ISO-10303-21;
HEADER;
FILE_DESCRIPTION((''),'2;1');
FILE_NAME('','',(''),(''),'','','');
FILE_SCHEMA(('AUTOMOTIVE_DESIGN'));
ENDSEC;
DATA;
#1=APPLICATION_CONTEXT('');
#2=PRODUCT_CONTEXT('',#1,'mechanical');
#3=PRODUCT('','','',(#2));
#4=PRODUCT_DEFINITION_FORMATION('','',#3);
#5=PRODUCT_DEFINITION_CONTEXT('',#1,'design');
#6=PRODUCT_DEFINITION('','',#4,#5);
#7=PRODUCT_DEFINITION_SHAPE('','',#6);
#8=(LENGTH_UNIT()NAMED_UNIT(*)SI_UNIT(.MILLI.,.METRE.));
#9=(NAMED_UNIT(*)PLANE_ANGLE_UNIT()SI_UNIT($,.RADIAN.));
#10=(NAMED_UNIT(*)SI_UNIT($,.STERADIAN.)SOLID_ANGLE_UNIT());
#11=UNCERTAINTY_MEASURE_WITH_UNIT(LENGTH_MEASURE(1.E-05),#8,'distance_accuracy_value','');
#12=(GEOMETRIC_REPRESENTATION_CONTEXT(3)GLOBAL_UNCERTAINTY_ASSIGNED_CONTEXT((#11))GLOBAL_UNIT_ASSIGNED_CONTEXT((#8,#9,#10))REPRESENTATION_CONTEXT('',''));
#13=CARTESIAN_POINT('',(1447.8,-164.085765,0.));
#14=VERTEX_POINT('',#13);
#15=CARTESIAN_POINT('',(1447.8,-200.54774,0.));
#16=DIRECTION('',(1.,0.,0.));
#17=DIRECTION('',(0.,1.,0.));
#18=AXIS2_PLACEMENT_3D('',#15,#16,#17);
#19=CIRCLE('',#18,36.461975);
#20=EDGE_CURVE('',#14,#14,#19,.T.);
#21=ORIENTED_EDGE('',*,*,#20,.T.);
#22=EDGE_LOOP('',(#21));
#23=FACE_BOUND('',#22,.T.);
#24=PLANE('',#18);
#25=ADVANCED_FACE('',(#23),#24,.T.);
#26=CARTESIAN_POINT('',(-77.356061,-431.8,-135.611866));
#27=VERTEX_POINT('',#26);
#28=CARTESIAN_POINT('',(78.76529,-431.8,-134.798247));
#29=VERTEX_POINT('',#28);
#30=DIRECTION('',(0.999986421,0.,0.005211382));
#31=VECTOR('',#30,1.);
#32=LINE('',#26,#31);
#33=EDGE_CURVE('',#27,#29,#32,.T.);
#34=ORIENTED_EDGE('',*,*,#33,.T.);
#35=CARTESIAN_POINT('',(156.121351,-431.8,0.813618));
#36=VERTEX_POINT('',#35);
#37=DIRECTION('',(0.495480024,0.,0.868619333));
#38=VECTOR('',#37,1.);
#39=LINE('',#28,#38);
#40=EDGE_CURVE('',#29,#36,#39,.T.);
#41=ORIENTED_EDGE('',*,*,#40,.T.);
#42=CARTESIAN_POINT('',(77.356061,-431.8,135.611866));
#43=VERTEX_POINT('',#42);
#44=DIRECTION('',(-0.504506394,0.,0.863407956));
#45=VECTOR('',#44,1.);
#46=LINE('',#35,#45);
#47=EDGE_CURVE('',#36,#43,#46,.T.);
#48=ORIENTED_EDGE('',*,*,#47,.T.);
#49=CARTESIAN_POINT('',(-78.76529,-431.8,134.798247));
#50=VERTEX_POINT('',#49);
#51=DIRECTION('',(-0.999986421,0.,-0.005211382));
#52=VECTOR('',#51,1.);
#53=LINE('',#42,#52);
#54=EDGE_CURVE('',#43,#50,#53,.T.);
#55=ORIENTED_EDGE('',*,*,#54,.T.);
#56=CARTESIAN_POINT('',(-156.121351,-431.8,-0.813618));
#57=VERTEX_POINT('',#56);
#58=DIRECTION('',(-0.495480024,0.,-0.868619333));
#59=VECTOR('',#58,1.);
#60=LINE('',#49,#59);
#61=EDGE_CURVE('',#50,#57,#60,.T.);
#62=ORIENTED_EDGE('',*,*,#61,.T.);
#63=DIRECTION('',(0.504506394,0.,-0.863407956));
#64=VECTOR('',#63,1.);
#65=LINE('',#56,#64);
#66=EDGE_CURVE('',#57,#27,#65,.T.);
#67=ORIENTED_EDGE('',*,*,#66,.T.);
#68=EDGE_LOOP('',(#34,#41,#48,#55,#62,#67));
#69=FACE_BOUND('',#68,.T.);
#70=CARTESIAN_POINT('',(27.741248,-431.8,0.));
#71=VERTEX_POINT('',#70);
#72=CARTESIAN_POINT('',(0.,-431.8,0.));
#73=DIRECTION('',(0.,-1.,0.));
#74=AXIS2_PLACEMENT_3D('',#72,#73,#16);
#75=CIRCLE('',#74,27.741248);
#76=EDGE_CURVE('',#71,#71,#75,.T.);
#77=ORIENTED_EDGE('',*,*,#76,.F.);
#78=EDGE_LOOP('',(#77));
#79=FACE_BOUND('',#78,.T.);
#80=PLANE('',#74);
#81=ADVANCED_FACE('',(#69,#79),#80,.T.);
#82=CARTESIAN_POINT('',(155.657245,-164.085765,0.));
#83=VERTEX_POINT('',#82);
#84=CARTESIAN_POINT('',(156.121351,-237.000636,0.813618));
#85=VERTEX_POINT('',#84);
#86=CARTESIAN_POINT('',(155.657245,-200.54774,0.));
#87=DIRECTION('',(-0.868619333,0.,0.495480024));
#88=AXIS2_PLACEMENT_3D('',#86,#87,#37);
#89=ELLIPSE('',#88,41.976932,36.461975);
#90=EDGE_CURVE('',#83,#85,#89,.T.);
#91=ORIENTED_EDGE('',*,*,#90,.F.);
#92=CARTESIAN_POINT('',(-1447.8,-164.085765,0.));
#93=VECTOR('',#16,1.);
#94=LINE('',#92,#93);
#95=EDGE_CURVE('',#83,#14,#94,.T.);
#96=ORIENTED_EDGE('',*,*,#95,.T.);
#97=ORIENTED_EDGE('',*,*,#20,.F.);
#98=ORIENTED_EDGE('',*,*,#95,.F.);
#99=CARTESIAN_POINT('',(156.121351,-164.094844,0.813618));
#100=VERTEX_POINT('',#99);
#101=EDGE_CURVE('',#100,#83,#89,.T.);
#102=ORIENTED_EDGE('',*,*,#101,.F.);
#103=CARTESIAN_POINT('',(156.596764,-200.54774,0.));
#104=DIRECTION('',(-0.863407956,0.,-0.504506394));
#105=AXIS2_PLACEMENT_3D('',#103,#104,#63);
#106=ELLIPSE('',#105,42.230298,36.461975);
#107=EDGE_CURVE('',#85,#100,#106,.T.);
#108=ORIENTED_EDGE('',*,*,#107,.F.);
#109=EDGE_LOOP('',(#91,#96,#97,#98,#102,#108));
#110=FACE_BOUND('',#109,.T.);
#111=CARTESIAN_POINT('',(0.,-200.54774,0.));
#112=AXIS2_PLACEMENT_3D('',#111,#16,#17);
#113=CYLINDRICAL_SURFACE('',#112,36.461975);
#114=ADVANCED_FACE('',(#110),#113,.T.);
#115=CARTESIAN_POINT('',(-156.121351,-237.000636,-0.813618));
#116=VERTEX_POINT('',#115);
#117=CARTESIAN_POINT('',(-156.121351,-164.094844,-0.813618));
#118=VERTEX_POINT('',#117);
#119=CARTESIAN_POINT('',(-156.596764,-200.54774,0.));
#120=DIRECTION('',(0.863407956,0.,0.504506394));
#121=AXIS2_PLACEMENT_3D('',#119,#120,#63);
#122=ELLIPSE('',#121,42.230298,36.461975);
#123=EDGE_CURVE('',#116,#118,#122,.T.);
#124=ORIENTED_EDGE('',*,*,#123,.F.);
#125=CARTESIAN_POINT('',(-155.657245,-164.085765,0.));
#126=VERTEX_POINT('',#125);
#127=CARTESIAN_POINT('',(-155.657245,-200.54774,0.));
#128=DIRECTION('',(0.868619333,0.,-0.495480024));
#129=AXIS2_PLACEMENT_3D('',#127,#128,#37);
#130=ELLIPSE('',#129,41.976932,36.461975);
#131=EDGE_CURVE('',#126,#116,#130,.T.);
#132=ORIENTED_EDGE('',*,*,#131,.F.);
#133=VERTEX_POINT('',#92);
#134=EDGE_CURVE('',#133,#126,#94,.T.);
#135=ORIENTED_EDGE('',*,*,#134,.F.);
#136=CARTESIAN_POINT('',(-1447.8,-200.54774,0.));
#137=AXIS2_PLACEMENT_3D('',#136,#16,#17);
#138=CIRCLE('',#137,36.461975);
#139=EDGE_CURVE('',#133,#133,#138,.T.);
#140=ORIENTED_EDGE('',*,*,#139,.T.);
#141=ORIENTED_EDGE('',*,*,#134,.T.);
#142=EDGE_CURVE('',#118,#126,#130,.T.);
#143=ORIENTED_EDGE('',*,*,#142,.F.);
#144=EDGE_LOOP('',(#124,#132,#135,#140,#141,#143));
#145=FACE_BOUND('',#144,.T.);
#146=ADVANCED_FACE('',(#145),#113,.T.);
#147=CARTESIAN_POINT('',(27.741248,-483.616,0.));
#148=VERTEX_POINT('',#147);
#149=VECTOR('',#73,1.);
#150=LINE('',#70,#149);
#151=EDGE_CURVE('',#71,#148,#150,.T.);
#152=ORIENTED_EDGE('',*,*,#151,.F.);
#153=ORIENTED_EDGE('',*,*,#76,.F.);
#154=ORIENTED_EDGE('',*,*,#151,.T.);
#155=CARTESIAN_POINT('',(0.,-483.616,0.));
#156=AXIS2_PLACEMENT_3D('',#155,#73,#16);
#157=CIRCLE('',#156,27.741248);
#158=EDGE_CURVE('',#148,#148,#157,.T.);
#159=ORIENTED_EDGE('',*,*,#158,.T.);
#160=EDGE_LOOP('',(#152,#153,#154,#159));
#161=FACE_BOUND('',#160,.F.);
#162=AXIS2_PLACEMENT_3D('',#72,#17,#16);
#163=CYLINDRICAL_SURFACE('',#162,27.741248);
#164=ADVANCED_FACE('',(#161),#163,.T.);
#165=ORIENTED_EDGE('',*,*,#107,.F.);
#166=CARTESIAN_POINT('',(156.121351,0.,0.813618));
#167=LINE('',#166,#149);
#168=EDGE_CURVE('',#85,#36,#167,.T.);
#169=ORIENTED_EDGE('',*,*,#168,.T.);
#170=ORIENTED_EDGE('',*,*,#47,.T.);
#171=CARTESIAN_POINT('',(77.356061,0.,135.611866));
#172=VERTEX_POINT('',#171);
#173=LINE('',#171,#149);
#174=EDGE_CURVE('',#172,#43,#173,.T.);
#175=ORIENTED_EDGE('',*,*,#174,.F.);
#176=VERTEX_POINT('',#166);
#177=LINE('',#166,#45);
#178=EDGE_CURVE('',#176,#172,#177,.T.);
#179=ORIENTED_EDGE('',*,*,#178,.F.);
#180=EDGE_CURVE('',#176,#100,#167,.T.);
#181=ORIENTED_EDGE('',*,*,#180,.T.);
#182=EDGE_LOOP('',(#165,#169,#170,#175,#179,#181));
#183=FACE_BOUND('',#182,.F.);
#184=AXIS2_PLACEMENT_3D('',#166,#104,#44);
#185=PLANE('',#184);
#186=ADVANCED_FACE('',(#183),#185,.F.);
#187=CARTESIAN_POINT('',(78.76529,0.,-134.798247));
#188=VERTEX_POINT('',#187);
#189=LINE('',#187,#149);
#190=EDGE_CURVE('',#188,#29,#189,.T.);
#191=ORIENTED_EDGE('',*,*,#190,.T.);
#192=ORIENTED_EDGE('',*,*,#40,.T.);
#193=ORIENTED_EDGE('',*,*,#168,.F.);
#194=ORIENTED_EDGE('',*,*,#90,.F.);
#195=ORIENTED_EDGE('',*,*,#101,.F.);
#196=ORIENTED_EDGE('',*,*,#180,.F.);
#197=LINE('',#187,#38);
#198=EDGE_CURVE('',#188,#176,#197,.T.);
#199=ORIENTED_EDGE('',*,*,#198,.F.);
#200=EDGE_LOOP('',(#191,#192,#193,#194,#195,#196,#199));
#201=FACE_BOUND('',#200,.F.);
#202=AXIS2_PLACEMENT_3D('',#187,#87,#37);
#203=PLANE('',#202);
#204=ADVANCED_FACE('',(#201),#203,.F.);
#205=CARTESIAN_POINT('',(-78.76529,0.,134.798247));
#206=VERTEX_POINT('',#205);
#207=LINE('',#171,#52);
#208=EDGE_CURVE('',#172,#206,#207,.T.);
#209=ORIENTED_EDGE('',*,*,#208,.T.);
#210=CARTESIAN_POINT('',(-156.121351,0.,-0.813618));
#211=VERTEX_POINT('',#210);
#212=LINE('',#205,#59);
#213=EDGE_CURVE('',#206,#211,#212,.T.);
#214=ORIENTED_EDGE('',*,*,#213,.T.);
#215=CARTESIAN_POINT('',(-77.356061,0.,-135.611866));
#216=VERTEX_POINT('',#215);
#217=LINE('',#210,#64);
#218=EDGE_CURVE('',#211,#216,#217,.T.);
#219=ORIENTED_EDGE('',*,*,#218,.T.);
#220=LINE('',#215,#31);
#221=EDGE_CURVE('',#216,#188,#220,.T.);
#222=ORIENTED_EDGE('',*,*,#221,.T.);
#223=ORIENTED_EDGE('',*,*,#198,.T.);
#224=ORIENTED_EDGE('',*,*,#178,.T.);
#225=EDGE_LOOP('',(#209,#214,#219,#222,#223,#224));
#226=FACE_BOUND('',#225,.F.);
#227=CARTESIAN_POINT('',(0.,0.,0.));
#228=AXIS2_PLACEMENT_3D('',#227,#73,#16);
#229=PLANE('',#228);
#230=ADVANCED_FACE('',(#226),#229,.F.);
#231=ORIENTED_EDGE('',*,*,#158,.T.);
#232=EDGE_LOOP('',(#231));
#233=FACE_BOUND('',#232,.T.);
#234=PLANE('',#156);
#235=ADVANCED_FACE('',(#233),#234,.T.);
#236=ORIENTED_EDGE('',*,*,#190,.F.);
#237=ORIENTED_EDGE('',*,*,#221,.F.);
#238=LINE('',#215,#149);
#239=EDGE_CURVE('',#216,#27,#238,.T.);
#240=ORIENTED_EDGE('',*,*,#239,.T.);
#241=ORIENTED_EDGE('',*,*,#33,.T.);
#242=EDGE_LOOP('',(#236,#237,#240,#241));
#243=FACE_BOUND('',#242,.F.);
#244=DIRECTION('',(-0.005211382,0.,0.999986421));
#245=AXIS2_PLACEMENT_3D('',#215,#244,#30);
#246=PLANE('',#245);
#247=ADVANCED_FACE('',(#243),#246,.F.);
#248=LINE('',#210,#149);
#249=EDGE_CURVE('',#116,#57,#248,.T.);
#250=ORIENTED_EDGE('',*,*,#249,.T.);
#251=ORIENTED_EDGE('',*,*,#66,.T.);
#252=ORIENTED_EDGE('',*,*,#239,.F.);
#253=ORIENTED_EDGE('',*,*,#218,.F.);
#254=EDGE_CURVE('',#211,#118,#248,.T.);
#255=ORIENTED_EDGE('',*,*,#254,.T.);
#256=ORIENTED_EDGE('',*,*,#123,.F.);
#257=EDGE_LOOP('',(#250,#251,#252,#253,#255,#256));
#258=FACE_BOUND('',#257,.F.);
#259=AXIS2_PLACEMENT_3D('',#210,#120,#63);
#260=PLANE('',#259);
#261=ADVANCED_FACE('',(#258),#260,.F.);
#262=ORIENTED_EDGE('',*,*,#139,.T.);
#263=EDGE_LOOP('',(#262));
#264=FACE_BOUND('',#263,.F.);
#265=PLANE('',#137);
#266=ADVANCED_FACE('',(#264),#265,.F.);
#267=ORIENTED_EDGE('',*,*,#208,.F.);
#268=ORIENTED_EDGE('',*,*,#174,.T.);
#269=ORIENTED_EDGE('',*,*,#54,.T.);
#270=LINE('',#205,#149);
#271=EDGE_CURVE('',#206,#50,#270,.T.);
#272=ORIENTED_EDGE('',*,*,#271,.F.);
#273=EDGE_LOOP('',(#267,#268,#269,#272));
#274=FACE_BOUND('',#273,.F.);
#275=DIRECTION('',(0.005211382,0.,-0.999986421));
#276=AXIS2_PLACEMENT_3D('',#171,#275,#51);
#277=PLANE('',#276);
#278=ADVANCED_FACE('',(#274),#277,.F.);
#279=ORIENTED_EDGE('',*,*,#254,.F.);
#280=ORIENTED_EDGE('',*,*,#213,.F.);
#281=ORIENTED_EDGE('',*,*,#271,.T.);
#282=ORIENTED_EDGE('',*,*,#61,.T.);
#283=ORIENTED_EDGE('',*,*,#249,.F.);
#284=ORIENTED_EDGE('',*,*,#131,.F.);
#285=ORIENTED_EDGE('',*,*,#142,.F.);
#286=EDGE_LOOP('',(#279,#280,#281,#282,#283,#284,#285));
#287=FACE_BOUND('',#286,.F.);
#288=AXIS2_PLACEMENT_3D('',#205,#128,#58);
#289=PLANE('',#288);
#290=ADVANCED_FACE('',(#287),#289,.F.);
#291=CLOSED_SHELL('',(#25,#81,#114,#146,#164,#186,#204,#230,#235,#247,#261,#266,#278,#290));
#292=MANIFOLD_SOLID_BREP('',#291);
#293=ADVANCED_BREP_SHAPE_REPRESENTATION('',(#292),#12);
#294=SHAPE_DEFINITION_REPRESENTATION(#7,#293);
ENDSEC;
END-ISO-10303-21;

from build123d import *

# Parameters (mm, degrees)
F1_DEPTH = 431.8
F2_R     = 27.741248
F3_DEPTH = 51.816
F4_R     = 36.461975
F5_DEPTH = 1447.8


with BuildPart() as f1:
    # F0 (on Front) → F1 (new body)
    with BuildSketch(Plane.XZ):
        Polygon((78.76529, -134.798247), (156.121351, 0.813618), (77.356061, 135.611866), (-78.76529, 134.798247), (-156.121351, -0.813618), (-77.356061, -135.611866), align=None)
    extrude(amount=F1_DEPTH)

    # F2 (on face) → F3 (join)
    with BuildSketch(Plane.XZ.offset(431.8)):
        Circle(F2_R)
    extrude(amount=F3_DEPTH)

    # F4 (on Right) → F5 (join, symmetric)
    with BuildSketch(Plane.YZ):
        with Locations((-200.54774, 0)):
            Circle(F4_R)
    extrude(amount=F5_DEPTH, both=True)


solid = f1.part
